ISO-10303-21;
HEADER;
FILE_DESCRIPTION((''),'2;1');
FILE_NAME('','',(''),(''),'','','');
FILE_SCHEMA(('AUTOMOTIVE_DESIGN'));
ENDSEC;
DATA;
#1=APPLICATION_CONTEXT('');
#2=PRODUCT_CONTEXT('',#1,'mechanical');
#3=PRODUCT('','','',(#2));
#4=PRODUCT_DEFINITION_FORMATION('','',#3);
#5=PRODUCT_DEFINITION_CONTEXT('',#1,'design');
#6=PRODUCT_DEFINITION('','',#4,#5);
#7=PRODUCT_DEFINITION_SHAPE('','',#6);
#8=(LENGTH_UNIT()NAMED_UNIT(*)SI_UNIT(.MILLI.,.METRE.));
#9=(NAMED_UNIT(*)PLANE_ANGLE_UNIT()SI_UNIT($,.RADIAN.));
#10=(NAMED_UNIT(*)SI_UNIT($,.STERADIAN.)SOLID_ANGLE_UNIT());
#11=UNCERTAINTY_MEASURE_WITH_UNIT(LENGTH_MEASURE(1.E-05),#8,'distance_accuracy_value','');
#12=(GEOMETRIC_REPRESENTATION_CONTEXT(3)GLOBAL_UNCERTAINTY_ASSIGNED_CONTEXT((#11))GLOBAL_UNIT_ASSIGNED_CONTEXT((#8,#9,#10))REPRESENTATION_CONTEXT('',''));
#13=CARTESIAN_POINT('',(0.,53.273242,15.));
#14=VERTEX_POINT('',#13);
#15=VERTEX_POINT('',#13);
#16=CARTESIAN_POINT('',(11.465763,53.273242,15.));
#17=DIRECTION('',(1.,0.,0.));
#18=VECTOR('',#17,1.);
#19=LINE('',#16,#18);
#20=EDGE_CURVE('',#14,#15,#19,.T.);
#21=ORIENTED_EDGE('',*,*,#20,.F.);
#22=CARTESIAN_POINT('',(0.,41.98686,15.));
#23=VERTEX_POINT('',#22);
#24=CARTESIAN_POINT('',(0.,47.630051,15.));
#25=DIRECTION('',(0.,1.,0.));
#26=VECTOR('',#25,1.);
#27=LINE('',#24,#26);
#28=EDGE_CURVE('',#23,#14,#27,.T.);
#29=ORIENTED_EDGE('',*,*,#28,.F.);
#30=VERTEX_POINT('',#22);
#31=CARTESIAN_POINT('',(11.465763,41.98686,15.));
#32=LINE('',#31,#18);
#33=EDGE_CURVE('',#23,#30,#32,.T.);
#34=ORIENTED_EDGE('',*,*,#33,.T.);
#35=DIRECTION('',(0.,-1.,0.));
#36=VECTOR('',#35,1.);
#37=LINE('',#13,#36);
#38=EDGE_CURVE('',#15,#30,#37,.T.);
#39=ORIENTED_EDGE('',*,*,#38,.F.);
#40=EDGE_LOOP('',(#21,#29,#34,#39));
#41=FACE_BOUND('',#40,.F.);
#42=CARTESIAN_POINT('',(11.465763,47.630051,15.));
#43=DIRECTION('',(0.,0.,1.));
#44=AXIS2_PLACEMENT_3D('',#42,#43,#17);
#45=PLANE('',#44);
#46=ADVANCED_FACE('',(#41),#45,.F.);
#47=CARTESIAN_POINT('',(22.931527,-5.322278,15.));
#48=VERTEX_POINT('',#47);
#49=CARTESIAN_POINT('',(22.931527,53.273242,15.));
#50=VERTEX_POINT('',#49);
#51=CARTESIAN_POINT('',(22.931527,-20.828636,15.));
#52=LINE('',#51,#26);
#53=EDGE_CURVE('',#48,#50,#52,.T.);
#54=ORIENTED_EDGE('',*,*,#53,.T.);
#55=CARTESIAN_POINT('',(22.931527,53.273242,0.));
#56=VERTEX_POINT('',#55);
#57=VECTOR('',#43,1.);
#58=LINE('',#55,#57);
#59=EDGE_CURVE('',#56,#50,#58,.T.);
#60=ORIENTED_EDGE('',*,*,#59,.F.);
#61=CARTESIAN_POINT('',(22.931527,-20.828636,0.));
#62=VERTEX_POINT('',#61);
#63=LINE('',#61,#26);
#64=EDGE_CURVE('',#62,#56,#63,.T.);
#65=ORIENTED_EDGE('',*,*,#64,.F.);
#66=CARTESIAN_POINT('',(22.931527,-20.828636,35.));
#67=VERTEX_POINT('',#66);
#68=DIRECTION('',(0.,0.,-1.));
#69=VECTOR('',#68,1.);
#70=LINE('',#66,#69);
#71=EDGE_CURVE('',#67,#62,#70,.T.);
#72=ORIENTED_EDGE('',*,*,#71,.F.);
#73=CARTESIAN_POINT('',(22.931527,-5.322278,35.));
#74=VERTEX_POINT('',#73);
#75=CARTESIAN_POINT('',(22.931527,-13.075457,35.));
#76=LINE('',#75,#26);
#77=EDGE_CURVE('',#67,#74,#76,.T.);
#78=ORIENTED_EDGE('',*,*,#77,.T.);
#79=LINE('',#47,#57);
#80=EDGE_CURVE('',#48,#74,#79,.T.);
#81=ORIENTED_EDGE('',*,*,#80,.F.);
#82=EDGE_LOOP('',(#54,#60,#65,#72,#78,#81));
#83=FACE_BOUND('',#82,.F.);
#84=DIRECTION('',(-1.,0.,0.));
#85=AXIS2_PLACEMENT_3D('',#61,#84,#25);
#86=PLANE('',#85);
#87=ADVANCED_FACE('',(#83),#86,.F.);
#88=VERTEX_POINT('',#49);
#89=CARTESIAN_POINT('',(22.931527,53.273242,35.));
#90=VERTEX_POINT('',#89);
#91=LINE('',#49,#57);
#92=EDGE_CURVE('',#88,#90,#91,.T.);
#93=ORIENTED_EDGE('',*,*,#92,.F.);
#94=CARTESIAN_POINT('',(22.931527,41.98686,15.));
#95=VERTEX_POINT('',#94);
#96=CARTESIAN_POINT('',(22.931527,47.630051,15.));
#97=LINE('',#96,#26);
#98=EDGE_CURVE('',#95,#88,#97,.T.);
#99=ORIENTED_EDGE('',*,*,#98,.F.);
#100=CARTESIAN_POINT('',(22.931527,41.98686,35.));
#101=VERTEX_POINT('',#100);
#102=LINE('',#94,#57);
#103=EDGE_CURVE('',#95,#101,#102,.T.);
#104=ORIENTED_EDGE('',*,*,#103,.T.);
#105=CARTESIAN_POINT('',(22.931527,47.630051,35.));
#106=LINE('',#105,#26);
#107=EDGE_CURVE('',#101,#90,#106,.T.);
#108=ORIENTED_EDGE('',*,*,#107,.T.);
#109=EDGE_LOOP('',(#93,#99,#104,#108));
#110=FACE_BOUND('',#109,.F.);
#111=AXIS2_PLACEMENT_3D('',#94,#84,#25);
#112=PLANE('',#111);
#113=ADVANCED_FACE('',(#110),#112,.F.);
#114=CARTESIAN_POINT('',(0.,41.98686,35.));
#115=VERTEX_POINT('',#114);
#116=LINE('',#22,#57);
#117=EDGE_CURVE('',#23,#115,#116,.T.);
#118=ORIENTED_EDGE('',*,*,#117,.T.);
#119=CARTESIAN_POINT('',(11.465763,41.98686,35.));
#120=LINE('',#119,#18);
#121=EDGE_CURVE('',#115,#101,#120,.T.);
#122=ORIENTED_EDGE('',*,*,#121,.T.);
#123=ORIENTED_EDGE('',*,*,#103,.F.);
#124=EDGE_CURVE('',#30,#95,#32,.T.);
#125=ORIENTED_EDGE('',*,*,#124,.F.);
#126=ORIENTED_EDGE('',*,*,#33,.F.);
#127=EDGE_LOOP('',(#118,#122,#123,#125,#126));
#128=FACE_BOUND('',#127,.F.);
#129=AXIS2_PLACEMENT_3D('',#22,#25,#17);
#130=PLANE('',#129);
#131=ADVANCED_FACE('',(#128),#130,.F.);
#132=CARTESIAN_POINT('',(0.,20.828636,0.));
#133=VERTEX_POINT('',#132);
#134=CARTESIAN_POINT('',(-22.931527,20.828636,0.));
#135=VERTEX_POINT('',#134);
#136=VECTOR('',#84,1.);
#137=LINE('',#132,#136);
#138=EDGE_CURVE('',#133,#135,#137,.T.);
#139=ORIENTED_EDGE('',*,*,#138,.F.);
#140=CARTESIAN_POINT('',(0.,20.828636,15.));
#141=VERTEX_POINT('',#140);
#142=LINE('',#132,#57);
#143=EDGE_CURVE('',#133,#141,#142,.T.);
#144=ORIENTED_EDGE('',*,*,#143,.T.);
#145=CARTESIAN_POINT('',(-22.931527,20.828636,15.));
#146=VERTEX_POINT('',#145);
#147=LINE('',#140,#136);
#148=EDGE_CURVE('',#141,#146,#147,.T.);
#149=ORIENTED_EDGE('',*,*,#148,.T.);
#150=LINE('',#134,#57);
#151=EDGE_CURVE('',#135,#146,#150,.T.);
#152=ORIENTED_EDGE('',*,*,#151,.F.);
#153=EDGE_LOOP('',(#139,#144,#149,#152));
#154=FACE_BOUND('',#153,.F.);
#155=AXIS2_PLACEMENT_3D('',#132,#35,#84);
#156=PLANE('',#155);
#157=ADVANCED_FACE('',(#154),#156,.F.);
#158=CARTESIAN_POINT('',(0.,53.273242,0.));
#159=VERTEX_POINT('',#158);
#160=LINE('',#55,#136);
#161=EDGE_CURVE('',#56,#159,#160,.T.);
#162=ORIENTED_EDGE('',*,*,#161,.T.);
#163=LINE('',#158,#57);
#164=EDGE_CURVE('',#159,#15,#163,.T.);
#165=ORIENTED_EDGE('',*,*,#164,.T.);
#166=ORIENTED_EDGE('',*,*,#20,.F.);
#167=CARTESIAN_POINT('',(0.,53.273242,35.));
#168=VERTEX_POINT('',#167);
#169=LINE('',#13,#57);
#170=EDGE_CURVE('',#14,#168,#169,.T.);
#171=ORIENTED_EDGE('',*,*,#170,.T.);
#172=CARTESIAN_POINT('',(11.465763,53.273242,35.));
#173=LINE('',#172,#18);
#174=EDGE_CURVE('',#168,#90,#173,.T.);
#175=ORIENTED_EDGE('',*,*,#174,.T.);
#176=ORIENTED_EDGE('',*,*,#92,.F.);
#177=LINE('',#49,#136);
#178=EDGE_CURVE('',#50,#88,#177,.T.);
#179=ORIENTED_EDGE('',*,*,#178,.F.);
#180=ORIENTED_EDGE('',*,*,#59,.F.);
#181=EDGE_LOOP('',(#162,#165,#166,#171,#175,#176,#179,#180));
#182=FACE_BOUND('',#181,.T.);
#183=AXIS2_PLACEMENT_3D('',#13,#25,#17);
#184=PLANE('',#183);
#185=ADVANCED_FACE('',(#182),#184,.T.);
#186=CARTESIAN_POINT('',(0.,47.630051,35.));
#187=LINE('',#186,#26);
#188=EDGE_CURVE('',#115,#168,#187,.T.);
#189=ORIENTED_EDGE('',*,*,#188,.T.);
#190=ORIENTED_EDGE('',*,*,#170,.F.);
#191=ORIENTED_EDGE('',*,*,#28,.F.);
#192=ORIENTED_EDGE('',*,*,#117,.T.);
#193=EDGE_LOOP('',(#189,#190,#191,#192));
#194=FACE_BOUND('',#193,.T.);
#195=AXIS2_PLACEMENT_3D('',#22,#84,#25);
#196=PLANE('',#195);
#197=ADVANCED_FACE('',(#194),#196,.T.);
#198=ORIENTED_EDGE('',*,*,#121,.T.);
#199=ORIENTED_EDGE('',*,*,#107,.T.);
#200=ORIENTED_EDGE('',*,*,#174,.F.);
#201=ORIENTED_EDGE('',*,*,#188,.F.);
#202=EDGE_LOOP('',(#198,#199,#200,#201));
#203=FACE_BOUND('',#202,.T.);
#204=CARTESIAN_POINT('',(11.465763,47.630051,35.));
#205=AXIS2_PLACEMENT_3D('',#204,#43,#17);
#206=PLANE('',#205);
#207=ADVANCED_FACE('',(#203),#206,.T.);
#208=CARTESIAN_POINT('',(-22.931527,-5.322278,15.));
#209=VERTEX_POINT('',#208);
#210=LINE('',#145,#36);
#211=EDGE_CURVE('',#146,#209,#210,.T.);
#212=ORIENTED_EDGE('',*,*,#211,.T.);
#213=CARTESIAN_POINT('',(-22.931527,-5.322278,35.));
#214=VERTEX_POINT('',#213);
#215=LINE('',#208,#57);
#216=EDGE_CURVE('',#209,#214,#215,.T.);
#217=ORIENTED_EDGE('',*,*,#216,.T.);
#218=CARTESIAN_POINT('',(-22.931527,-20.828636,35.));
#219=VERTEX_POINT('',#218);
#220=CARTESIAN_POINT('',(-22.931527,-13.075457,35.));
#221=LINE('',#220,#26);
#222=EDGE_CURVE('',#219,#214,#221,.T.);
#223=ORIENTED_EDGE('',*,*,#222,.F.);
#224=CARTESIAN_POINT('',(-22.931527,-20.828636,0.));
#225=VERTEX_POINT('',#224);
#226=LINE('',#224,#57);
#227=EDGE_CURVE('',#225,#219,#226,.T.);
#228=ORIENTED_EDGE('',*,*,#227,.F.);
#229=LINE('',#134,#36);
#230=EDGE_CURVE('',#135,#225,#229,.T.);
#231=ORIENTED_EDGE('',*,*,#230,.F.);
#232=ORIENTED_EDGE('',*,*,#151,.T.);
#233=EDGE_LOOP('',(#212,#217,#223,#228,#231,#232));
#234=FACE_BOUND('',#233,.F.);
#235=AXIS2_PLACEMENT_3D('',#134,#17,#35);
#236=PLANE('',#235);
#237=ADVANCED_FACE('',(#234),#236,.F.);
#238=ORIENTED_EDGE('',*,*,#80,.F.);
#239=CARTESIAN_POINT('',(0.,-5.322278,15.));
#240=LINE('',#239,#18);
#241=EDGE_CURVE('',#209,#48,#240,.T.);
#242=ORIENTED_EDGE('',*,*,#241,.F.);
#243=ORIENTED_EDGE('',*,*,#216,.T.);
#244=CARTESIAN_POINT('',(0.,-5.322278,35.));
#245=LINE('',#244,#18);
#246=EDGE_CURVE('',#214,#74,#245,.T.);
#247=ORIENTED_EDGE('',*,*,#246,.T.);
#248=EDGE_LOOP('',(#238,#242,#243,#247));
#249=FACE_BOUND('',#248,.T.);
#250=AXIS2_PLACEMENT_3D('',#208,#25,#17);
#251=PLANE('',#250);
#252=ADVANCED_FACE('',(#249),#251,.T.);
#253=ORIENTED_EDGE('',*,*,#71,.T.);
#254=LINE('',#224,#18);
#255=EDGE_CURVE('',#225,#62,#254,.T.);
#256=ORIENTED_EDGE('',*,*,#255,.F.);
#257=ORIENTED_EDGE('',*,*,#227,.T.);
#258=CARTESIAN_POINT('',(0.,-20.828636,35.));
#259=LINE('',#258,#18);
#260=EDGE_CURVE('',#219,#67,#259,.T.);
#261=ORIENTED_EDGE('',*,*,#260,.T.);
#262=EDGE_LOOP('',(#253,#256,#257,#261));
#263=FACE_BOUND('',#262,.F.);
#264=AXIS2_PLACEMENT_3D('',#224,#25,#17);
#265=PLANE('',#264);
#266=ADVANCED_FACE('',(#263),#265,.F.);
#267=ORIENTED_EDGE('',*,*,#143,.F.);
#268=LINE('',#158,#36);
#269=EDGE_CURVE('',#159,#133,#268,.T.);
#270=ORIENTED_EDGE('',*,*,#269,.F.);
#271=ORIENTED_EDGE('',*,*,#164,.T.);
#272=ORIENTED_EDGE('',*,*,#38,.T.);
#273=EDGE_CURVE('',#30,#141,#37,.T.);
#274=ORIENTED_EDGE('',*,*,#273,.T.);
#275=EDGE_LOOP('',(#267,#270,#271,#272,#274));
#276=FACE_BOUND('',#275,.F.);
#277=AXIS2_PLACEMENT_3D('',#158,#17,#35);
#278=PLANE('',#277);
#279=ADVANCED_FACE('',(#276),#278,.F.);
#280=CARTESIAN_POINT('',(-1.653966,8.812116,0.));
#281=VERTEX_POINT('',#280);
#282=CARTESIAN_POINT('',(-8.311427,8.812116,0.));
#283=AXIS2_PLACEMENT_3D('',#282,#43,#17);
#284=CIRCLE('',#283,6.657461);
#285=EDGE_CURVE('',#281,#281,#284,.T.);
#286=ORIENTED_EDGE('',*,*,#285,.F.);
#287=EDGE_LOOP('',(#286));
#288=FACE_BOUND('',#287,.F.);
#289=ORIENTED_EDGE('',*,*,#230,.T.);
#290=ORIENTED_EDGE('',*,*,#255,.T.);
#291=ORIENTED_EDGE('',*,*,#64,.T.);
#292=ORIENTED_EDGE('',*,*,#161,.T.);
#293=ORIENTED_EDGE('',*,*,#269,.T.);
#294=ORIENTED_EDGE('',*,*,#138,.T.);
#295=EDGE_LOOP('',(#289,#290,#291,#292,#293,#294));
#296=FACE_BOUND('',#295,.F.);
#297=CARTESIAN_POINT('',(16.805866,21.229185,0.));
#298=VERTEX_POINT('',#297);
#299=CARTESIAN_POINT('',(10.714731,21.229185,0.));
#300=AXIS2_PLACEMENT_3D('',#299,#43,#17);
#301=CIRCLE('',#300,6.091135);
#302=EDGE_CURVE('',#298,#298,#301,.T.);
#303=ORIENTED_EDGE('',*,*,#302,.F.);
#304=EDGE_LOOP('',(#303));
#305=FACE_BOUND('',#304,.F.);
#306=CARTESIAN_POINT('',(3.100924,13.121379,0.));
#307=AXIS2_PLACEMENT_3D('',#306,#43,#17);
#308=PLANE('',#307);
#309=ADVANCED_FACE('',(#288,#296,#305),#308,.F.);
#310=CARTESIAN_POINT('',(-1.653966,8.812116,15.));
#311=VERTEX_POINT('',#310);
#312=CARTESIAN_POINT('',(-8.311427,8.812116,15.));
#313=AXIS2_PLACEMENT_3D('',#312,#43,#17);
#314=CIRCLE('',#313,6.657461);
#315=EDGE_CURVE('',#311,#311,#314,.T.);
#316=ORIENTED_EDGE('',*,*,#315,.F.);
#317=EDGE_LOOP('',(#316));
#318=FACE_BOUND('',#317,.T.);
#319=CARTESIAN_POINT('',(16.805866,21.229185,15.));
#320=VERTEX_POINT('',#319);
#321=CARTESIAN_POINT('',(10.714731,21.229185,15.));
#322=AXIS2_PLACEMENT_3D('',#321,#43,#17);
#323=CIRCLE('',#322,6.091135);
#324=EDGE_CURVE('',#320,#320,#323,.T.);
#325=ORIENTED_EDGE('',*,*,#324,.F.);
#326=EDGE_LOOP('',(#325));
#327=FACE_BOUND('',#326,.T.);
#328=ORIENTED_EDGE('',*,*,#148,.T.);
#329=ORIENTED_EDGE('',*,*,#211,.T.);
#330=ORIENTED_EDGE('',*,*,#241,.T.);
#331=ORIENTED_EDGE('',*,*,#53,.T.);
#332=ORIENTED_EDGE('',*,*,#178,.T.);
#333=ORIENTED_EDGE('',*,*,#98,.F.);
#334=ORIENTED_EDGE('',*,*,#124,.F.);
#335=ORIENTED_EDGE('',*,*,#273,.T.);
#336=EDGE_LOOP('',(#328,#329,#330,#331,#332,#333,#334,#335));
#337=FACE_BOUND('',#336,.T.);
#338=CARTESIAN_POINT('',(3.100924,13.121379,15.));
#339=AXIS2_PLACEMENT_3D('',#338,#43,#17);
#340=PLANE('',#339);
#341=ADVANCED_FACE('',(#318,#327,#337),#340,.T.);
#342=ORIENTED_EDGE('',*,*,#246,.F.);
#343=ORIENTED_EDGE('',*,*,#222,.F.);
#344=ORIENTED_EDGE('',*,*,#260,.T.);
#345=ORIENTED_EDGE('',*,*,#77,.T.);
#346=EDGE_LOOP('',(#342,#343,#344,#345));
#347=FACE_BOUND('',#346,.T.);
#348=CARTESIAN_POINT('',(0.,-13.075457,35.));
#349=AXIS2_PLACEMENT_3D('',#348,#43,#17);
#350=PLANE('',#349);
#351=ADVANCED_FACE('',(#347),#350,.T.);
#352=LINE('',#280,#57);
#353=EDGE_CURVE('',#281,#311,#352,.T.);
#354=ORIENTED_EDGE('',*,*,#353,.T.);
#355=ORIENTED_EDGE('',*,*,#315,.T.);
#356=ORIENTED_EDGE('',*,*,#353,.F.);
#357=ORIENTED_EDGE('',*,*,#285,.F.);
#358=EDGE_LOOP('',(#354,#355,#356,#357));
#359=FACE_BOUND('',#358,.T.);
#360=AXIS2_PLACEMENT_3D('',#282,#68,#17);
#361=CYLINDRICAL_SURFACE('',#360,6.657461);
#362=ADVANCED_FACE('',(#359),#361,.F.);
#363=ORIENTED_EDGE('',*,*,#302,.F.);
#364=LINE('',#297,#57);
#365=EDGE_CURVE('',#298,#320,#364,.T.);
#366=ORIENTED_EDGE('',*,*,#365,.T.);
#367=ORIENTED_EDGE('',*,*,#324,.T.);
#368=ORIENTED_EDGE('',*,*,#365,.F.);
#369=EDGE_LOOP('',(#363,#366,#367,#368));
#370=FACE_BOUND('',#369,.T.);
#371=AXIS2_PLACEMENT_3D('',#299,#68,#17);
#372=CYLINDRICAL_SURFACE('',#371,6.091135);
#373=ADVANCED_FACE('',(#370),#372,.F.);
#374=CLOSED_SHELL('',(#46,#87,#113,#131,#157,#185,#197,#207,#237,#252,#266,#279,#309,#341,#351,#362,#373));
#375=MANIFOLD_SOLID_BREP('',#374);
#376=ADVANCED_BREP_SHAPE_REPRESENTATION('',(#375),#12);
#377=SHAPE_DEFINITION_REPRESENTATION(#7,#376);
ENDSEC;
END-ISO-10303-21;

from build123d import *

# Parameters (mm, degrees)
F0_R     = 6.657461
F0_R_2   = 6.091135
F1_DEPTH = 15
F2_W     = 22.931527
F2_H     = 11.286382
F2_W_2   = 45.863054
F2_H_2   = 15.506358
F3_DEPTH = 20


with BuildPart() as f1:
    # F0 (on Top) → F1 (new body)
    with BuildSketch(Plane.XY):
        Polygon((-22.931527, -20.828636), (22.931527, -20.828636), (22.931527, -10.414318), (22.931527, 20.828636), (22.931527, 53.273242), (0, 53.273242), (0, 20.828636), (-22.931527, 20.828636), (-22.931527, -10.414318), align=None)
        with Locations((-8.311427, 8.812116)):
            Circle(F0_R, mode=Mode.SUBTRACT)
        with Locations((10.714731, 21.229185)):
            Circle(F0_R_2, mode=Mode.SUBTRACT)
    extrude(amount=F1_DEPTH)

    # F2 (on face) → F3 (join)
    with BuildSketch(Plane.XY.offset(15)):
        with Locations((11.465763, 47.630051)):
            Rectangle(F2_W, F2_H)
        with Locations((0, -13.075457)):
            Rectangle(F2_W_2, F2_H_2)
    extrude(amount=F3_DEPTH)


solid = f1.part
